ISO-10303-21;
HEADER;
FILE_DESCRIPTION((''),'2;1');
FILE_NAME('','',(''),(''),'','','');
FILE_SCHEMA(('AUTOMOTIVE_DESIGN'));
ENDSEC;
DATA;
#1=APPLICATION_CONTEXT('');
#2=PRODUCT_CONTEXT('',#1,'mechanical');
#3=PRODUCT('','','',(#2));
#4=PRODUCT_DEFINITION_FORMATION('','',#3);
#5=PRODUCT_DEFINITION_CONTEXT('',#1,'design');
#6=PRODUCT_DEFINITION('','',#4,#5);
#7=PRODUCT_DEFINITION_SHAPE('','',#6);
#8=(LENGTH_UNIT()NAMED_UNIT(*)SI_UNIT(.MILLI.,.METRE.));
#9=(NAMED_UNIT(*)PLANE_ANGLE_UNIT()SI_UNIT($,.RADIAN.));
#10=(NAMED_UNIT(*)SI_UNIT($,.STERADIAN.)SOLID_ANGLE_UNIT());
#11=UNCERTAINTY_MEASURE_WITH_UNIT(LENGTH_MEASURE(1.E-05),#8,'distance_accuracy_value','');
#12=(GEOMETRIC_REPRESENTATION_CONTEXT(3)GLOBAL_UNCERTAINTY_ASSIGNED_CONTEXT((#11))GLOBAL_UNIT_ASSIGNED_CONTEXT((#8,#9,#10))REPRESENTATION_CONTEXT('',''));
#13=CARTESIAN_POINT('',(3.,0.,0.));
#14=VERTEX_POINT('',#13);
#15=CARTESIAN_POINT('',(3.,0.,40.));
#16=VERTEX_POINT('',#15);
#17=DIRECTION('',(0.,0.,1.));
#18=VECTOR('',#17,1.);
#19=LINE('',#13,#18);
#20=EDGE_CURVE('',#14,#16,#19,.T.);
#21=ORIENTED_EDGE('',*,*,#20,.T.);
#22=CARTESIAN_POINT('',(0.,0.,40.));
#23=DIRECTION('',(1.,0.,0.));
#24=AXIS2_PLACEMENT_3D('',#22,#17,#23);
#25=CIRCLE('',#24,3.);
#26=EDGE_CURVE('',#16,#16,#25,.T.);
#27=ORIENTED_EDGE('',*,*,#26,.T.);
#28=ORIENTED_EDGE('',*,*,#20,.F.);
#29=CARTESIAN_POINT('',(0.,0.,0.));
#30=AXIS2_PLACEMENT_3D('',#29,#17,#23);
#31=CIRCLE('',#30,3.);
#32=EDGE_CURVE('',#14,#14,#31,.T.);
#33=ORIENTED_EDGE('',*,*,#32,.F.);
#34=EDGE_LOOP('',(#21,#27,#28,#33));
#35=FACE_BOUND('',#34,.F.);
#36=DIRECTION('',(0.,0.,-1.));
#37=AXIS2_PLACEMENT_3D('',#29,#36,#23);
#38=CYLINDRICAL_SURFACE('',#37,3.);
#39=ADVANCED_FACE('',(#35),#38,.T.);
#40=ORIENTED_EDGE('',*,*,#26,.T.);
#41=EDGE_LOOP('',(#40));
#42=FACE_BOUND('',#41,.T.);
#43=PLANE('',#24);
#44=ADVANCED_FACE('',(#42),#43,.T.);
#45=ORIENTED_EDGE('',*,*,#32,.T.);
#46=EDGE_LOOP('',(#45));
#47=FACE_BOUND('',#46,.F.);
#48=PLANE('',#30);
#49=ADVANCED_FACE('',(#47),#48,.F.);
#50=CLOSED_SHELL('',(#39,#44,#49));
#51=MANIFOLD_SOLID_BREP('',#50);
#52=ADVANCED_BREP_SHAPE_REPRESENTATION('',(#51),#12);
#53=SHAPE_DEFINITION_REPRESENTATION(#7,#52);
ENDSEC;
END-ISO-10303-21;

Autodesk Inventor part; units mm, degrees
ref_plane "YZ Plane" through (0, 0, 0) normal (1, 0, 0) x (0, 1, 0)
ref_plane "XZ Plane" through (0, 0, 0) normal (0, 1, 0) x (-1, 0, 0)
ref_plane "XY Plane" through (0, 0, 0) normal (0, 0, 1) x (1, 0, 0)
sketch "スケッチ1" plane through (0, 0, 0) normal (0, 0, 1) x (1, 0, 0)
  circle A0 centre (0, 0) radius 3
  dimension "d0" = 6
extrude "押し出し1" add sketch "スケッチ1" along normal blind 40
properties part number "平行ピン　φ6　長さ40" material "ステンレス鋼"
